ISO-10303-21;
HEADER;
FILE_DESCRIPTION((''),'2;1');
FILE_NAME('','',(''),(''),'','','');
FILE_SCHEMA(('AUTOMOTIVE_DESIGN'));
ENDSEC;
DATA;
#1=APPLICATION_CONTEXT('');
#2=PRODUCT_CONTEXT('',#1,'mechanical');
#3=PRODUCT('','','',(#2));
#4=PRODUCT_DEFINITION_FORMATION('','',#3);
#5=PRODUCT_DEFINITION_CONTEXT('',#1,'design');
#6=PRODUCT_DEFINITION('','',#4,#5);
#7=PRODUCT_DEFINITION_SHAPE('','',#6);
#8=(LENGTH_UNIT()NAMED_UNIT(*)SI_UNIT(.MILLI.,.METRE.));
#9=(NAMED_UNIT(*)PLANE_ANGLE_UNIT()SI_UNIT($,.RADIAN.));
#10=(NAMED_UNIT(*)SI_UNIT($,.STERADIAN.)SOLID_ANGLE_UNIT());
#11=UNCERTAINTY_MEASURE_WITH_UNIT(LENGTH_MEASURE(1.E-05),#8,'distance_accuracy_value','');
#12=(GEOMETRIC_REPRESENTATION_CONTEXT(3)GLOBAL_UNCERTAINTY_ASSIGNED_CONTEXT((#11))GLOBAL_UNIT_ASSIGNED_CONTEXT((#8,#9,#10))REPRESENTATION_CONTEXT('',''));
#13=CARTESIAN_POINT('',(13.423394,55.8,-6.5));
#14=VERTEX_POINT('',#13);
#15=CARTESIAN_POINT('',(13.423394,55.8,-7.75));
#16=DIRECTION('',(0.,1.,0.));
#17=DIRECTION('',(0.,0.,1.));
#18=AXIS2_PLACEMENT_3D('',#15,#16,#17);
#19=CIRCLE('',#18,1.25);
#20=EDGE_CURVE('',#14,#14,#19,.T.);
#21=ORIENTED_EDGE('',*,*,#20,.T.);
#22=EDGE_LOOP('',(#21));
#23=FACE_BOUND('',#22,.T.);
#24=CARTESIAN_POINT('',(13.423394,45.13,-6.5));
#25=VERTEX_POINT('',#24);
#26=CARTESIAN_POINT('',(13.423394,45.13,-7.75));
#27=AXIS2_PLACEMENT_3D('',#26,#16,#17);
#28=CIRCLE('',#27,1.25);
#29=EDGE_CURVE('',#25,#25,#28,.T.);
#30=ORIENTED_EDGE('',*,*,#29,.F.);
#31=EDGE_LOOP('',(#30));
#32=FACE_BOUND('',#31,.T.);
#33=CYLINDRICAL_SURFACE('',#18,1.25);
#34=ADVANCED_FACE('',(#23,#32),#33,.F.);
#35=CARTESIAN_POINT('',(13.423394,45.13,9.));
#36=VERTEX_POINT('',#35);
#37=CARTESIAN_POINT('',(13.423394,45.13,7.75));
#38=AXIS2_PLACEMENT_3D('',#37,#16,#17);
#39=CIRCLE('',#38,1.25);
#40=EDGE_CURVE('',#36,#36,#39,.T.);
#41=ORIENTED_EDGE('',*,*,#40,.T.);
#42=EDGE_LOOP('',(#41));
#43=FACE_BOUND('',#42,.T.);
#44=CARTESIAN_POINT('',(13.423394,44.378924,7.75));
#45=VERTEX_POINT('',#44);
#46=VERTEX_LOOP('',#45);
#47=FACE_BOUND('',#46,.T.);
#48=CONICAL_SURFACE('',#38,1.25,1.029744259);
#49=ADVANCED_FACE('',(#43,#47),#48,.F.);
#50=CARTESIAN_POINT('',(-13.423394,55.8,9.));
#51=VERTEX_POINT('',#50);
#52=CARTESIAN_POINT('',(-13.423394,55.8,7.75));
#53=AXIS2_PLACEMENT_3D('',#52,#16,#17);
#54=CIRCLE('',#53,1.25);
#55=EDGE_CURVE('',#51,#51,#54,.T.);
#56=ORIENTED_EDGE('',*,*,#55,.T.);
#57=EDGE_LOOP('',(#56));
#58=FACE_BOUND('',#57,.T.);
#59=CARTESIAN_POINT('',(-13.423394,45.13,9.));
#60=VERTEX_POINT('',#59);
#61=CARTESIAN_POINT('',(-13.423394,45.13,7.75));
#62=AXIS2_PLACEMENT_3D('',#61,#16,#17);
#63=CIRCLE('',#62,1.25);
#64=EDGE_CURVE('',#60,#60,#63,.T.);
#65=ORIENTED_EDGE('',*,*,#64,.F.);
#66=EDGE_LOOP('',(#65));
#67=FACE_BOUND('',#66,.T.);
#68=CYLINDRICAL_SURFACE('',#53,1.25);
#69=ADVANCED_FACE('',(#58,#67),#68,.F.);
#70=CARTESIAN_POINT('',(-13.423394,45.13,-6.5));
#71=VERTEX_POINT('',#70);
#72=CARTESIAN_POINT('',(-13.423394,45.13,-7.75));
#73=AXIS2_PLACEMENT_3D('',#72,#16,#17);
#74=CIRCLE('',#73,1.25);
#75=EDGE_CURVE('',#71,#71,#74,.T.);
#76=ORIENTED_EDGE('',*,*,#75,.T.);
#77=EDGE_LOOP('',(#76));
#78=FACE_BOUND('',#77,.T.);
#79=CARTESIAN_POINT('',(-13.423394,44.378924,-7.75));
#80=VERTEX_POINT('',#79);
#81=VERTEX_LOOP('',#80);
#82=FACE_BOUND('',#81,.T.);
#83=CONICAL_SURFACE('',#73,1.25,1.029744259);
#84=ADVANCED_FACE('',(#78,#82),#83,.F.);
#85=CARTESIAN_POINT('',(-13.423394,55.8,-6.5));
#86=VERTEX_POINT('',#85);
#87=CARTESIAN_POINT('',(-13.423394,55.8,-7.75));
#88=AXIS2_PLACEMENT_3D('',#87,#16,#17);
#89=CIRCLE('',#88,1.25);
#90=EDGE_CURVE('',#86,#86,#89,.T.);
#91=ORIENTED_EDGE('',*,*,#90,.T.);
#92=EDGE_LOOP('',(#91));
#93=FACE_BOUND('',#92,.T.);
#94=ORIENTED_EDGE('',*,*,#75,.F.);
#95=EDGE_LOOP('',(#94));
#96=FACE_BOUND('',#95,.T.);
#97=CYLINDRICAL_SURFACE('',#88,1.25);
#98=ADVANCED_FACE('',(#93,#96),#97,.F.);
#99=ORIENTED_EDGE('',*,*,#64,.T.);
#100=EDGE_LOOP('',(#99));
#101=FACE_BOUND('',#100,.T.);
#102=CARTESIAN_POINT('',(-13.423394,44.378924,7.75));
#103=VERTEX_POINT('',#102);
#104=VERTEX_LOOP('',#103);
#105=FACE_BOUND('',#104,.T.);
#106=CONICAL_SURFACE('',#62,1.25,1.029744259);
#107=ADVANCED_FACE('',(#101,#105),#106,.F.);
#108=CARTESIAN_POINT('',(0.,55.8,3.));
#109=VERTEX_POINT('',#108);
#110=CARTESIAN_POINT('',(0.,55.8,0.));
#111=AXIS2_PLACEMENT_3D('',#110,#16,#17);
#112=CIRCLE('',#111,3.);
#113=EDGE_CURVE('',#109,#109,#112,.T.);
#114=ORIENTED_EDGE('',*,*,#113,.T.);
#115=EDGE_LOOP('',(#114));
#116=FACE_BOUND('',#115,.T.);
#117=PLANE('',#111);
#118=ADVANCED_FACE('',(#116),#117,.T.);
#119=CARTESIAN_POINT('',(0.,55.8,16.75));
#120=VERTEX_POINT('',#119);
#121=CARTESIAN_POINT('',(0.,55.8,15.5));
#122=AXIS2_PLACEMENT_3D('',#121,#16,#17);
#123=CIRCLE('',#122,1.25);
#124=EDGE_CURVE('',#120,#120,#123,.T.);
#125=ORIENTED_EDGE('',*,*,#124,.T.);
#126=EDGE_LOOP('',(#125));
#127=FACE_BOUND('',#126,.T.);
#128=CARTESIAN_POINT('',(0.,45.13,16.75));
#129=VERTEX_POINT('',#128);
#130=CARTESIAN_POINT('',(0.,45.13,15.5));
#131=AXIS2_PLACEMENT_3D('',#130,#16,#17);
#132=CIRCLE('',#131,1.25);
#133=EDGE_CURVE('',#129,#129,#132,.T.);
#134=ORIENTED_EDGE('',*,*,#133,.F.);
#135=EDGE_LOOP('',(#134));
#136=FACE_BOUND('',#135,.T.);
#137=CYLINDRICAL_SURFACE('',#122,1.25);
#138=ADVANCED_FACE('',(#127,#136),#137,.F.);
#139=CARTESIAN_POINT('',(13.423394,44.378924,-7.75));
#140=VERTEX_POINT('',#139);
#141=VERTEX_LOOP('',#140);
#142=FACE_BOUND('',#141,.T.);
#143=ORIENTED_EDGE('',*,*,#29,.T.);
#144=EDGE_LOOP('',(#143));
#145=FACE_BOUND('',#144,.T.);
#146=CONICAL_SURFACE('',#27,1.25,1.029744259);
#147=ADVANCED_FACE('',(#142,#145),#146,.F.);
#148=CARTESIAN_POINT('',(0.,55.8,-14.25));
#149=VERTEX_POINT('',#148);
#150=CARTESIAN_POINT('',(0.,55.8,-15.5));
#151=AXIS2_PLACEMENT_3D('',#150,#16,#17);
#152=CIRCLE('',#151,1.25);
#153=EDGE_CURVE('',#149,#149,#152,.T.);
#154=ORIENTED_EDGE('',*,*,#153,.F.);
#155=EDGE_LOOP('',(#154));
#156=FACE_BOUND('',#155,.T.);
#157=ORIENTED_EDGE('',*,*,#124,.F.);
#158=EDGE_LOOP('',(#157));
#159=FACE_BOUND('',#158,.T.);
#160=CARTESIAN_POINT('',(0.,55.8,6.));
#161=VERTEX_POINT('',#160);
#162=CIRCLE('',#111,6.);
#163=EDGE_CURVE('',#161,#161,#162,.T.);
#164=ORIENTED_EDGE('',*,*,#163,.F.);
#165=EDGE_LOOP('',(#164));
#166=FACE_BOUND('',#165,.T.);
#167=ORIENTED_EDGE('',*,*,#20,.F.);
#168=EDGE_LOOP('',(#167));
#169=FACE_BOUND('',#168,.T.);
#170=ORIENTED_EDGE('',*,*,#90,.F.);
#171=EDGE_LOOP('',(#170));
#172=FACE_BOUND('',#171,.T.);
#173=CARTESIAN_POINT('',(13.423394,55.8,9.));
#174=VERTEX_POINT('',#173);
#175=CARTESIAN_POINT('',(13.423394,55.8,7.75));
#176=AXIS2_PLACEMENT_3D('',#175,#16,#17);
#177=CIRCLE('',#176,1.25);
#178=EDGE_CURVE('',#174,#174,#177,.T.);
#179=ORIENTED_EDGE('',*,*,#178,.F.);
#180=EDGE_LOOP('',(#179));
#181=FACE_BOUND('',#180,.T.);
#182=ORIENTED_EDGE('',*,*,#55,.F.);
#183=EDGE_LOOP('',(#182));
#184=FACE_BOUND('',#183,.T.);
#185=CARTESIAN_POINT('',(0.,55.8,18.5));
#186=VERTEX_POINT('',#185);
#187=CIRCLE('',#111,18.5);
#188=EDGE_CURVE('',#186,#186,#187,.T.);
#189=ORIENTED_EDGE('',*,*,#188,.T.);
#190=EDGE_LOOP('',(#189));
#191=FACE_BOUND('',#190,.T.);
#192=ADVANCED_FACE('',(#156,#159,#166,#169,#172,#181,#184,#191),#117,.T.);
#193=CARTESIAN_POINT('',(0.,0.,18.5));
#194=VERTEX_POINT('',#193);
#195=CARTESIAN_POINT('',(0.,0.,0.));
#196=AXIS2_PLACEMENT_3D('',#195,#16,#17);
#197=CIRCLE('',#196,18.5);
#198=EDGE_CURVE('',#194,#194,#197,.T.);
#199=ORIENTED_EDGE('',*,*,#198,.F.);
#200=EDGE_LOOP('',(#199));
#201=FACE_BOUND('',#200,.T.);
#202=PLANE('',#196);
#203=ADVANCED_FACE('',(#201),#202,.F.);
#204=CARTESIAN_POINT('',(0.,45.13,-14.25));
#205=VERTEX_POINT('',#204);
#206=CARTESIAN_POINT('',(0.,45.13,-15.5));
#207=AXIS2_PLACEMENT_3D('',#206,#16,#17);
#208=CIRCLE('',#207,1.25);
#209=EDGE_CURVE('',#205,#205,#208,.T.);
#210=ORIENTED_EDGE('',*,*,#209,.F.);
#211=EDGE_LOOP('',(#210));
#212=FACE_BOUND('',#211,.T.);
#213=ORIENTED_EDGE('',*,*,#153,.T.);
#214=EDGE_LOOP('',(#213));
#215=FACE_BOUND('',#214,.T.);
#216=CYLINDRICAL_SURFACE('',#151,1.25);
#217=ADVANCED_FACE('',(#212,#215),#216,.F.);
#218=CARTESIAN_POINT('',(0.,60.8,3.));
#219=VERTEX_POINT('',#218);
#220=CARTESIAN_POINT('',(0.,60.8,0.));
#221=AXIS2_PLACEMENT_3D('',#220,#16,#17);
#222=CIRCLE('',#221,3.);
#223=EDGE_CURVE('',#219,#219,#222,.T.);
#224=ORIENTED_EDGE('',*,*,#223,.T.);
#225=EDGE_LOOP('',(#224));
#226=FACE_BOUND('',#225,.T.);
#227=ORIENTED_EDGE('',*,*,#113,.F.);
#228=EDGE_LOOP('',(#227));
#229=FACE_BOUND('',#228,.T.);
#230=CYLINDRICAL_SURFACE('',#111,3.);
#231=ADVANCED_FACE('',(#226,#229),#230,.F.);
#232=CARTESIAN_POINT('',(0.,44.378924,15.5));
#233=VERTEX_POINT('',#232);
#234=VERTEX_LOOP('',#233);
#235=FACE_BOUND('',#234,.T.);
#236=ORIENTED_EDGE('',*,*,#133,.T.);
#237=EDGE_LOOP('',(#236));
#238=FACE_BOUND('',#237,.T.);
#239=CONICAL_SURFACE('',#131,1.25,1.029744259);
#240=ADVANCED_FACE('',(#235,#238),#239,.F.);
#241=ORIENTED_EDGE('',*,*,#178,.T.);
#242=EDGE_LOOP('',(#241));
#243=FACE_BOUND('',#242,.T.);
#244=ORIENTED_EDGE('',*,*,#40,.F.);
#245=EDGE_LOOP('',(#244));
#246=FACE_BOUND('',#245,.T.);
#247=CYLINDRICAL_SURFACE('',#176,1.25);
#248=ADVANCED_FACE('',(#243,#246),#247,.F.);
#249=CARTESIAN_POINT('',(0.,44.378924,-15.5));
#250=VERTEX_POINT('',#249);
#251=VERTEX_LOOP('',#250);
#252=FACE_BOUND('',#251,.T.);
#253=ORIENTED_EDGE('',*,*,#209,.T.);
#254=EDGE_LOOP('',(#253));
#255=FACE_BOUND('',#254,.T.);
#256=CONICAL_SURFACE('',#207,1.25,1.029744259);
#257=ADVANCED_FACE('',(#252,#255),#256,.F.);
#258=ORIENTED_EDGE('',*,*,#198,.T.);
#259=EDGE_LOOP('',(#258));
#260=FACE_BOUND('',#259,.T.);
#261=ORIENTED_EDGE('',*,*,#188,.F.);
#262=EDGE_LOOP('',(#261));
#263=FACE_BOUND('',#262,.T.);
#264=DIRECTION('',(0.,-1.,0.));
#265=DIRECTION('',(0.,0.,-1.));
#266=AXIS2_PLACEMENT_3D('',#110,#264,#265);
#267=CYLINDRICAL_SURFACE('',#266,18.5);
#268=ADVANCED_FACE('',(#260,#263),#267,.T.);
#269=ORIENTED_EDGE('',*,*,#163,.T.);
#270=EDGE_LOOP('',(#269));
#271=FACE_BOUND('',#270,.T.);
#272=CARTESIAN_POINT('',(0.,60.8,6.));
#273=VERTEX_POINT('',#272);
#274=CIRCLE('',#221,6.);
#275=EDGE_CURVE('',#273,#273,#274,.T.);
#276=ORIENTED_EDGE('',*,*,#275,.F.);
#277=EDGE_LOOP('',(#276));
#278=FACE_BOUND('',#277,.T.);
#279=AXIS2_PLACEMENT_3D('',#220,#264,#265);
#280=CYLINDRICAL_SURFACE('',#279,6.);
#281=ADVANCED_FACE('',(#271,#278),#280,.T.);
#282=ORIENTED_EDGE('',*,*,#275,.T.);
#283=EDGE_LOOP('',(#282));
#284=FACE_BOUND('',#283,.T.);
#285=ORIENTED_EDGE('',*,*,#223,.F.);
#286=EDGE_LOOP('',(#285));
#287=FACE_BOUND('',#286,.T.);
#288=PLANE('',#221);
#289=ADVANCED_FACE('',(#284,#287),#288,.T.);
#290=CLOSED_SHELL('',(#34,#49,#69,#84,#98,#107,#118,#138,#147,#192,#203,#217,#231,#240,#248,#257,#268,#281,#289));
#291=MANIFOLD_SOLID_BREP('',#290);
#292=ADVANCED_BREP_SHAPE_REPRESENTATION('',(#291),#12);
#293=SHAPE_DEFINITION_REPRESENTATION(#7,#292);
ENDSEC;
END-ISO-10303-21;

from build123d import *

# Parameters (mm, degrees)
SKETCH1_R                 = 18.5
BOSS_EXTRUDE1_DEPTH       = 55.8
SKETCH2_R                 = 6
BOSS_EXTRUDE2_DEPTH       = 5
M3X0_5_TAPPED_HOLE1_D     = 2.5
M3X0_5_TAPPED_HOLE1_DEPTH = 10.67
M3X0_5_TAPPED_HOLE1_TIP   = 0.751075774
SKETCH8_R                 = 3
CUT_EXTRUDE1_DEPTH        = 5


with BuildPart() as part:
    # Sketch1 → Boss-Extrude1 (new body)
    with BuildSketch(Plane(origin=(0, 0, 0), x_dir=(1, 0, 0), z_dir=(0, 1, 0))):
        with Locations(Location((0, 0, 0), (0, 0, 270))):
            Circle(SKETCH1_R)
    extrude(amount=BOSS_EXTRUDE1_DEPTH)

    # Sketch2 → Boss-Extrude2 (add)
    with BuildSketch(Plane(origin=(0, 55.8, 0), x_dir=(1, 0, 0), z_dir=(0, 1, 0))):
        with Locations(Location((0, 0, 0), (0, 0, 270))):
            Circle(SKETCH2_R)
    extrude(amount=BOSS_EXTRUDE2_DEPTH)

    # M3x0.5 Tapped Hole1
    with Locations(Plane(origin=(0, 55.8, 0), x_dir=(1, 0, 0), z_dir=(0, 1, 0))):
        with Locations((0, 15.5), (13.423393759, 7.75), (13.423393759, -7.75), (0, -15.5), (-13.423393759, -7.75), (-13.423393759, 7.75)):
            Hole(M3X0_5_TAPPED_HOLE1_D / 2, depth=M3X0_5_TAPPED_HOLE1_DEPTH)
            with Locations((0, 0, -(M3X0_5_TAPPED_HOLE1_DEPTH + M3X0_5_TAPPED_HOLE1_TIP / 2))):  # 118° drill point
                Cone(0, M3X0_5_TAPPED_HOLE1_D / 2, M3X0_5_TAPPED_HOLE1_TIP, mode=Mode.SUBTRACT)

    # Sketch8 → Cut-Extrude1 (cut)
    with BuildSketch(Plane(origin=(0, 60.8, 0), x_dir=(1, 0, 0), z_dir=(0, 1, 0))):
        with Locations(Location((0, 0, 0), (0, 0, 270))):
            Circle(SKETCH8_R)
    extrude(amount=-CUT_EXTRUDE1_DEPTH, mode=Mode.SUBTRACT)


solid = part.part
